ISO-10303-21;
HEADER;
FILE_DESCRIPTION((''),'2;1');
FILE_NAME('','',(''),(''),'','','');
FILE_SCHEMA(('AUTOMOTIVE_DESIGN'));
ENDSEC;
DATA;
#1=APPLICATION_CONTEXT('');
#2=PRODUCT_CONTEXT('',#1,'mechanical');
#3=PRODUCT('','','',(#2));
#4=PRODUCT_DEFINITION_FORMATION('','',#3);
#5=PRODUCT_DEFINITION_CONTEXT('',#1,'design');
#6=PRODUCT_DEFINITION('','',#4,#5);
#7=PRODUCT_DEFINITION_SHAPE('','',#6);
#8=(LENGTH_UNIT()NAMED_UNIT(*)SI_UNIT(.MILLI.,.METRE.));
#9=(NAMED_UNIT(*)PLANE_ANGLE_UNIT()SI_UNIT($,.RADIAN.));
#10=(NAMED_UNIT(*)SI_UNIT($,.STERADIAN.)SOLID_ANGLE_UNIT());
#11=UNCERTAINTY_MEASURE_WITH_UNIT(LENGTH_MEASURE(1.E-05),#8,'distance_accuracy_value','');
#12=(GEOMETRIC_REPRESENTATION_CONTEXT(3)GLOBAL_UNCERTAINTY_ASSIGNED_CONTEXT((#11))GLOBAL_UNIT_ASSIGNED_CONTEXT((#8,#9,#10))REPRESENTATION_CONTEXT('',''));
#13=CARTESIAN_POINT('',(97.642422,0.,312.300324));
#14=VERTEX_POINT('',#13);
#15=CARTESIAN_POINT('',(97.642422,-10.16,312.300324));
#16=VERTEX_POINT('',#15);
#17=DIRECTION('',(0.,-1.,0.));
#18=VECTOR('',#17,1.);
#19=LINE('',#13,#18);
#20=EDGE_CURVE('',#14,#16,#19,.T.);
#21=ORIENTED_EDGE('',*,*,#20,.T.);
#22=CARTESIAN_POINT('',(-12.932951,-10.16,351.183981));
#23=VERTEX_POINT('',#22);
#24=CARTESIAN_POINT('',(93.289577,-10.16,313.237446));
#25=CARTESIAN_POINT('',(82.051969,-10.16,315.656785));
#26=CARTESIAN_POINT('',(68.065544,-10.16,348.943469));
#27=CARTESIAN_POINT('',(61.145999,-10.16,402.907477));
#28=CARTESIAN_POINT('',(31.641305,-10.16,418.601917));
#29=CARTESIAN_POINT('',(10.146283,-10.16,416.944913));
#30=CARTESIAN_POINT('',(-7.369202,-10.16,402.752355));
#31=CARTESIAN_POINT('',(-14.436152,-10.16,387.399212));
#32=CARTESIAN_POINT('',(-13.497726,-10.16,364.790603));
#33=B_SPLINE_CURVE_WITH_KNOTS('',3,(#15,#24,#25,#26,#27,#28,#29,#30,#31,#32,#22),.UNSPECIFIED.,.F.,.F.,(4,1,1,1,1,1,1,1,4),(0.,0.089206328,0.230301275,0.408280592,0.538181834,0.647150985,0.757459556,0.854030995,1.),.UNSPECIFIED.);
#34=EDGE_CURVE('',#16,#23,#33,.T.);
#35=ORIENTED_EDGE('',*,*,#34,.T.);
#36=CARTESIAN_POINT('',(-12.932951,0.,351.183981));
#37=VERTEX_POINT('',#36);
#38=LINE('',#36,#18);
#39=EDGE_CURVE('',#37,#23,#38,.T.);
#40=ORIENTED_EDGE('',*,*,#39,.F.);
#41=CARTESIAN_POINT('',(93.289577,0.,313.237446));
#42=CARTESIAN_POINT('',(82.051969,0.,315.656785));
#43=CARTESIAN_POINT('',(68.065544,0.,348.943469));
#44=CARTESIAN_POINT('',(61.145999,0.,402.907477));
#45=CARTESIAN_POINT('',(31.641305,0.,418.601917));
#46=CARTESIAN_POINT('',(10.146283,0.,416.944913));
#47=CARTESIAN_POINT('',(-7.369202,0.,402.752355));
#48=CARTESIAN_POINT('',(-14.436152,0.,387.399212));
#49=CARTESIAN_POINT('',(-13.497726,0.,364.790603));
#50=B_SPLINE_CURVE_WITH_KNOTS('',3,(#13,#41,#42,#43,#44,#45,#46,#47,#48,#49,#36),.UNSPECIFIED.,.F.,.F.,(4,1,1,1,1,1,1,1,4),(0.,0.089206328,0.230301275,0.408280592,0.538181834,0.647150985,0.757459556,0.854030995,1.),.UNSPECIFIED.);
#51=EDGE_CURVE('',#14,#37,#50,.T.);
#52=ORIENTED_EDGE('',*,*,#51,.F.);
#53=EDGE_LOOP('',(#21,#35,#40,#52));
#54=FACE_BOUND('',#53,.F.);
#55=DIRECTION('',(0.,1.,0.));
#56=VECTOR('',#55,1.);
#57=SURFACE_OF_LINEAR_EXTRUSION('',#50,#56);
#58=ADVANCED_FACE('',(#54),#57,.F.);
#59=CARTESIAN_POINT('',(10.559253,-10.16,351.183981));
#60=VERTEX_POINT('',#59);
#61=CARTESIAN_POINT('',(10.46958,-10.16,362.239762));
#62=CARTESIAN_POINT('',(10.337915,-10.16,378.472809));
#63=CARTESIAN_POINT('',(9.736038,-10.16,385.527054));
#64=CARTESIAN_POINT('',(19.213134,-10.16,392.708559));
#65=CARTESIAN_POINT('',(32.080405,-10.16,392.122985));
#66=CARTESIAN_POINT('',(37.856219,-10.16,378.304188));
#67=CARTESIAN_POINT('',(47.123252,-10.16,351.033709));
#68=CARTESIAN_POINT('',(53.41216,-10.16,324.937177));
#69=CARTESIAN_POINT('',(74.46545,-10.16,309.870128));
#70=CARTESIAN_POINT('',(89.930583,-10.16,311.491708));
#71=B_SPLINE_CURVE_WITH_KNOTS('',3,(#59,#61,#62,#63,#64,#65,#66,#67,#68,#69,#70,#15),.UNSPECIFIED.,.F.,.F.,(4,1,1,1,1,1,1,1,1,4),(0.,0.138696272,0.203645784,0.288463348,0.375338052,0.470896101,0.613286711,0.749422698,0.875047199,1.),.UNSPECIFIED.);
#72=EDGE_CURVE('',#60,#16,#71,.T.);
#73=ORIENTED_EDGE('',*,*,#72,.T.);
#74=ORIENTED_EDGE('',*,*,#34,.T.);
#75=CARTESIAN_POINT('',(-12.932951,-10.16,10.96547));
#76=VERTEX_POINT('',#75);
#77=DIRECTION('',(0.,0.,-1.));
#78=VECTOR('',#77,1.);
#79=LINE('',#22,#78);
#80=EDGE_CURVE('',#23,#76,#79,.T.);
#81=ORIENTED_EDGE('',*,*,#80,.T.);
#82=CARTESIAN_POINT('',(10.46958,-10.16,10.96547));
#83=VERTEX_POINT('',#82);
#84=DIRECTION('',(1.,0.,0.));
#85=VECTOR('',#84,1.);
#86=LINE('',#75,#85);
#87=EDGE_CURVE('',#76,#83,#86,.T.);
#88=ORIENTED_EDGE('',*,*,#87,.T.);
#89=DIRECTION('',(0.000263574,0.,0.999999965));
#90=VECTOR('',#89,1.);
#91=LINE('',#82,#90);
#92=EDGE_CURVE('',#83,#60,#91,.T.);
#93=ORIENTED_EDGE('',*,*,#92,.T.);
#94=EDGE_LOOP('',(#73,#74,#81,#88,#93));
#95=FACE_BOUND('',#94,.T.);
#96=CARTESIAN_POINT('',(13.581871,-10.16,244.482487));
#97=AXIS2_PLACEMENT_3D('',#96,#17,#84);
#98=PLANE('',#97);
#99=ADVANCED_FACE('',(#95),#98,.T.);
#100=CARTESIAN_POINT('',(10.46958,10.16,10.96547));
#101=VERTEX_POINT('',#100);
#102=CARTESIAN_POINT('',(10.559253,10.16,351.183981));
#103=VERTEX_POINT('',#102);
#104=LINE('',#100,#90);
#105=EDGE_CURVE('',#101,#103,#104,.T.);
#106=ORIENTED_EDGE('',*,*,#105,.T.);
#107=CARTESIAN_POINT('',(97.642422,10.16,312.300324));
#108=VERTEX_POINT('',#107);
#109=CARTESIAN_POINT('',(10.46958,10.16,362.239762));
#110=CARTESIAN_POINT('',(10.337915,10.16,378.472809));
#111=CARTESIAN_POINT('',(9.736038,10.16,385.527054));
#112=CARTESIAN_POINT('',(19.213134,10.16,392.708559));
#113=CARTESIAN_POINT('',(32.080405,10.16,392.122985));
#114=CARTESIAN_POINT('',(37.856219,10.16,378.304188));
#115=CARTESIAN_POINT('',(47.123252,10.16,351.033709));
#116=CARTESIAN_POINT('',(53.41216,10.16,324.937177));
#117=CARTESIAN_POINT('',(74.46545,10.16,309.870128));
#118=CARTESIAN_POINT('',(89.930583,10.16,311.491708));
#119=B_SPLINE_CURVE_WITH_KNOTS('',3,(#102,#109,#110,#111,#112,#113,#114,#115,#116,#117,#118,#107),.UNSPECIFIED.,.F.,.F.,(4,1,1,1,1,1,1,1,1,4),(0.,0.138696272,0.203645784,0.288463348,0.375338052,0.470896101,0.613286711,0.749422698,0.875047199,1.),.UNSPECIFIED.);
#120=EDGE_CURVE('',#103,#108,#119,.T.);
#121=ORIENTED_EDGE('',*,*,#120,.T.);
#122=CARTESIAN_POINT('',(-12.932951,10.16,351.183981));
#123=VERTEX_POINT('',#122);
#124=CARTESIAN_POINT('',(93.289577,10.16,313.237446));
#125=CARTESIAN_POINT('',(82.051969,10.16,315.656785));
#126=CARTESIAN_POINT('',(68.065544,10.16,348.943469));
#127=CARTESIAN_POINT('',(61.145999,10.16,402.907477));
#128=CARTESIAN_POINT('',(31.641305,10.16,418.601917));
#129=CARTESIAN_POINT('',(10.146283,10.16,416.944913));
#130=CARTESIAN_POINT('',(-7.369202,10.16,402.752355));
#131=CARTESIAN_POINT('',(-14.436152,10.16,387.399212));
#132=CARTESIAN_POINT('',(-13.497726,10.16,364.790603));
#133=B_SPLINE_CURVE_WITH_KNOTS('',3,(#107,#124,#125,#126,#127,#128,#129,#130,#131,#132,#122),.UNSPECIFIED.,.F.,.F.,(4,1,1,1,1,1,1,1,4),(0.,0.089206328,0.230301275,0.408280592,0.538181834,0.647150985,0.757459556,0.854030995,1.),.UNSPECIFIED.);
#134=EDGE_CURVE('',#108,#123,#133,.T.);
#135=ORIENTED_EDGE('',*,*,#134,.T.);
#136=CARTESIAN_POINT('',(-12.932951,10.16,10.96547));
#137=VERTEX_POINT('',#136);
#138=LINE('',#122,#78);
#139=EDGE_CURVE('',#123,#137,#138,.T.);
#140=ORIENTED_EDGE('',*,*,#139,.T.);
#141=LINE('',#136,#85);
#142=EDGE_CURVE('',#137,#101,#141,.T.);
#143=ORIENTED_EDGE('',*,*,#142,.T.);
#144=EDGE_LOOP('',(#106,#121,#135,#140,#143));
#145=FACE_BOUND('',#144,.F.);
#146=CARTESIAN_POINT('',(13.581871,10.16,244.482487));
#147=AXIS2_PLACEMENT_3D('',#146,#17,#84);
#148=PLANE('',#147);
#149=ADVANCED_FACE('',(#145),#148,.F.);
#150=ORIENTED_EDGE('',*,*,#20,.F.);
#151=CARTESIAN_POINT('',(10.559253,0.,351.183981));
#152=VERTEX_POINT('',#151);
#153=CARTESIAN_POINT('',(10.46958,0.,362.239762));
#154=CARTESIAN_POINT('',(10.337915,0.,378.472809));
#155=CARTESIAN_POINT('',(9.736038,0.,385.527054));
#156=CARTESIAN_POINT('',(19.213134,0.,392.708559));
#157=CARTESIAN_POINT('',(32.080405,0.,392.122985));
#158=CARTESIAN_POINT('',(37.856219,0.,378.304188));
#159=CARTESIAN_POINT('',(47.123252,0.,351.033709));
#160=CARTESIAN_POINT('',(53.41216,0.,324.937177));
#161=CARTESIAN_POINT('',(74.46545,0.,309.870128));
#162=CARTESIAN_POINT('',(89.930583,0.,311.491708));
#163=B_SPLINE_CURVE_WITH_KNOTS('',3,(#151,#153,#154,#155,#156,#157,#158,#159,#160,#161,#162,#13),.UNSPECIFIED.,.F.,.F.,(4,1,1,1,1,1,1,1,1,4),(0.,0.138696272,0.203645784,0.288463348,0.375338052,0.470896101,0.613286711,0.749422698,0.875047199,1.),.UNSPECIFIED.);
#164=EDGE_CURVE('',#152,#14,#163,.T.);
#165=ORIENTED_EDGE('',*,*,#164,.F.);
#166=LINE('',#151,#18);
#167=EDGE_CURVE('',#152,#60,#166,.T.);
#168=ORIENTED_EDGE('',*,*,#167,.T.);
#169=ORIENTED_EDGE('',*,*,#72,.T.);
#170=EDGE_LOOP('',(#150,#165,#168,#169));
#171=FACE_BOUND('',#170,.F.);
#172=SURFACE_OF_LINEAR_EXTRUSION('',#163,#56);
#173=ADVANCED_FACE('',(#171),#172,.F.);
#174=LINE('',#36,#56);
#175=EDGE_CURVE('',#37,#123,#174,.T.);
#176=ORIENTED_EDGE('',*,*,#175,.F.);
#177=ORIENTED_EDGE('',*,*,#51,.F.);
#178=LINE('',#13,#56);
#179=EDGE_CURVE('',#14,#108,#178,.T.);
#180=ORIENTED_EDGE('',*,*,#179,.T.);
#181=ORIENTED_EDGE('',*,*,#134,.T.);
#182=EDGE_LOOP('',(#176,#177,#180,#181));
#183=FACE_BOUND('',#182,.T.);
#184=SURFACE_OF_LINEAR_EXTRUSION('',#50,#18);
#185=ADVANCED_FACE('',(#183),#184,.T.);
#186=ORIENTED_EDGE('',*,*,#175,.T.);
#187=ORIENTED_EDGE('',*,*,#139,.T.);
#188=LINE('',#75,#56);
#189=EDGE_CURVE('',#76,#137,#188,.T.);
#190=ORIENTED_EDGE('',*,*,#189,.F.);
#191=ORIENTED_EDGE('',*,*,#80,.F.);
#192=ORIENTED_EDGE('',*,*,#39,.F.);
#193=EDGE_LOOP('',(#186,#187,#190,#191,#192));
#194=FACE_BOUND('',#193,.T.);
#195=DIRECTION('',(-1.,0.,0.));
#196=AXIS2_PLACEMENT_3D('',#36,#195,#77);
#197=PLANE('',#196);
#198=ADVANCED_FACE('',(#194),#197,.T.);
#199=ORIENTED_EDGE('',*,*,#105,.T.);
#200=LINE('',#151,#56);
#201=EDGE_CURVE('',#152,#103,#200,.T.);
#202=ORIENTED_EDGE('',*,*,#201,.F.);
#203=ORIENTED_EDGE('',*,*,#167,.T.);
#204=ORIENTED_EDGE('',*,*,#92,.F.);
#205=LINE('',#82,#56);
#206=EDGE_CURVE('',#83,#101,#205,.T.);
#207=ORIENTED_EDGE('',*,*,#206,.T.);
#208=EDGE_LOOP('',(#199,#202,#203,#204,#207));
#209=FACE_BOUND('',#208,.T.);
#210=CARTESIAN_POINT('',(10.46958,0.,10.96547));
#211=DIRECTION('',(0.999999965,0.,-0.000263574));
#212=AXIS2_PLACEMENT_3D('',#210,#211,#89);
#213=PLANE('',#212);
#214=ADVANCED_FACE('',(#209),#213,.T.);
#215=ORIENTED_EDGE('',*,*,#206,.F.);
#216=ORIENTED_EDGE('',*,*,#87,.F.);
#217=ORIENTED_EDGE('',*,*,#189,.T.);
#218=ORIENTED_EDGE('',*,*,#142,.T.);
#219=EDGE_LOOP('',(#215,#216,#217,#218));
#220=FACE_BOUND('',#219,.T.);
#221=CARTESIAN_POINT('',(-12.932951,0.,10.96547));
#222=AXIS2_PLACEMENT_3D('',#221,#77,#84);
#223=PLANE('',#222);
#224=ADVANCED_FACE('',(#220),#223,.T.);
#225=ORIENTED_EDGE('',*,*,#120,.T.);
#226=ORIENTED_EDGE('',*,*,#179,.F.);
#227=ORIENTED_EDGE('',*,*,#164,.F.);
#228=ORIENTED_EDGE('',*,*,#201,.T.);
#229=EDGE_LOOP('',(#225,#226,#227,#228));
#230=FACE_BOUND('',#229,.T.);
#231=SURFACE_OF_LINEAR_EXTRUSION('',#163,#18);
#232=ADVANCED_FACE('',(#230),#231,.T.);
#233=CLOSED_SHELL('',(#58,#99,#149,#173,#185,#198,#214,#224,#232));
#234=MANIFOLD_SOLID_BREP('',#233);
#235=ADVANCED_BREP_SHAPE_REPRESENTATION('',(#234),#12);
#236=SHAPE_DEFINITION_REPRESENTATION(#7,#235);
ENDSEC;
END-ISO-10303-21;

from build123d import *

# Parameters (mm, degrees)
F1_DEPTH = 10.16
F2_DEPTH = 10.16


with BuildPart() as f1:
    # F0 (on Front) → F1 (new body)
    with BuildSketch(Plane.XZ):
        with BuildLine():
            add(Edge.make_bspline(
                [(10.5592533946, 351.1839807034), (10.4695804772, 362.2397616149), (10.3379149951, 378.4728090705), (9.7360376148, 385.5270541931), (19.2131343725, 392.7085587466), (32.0804052727, 392.1229848008), (37.8562186443, 378.3041881788), (47.1232515746, 351.0337093949), (53.4121597084, 324.9371769494), (74.4654499748, 309.8701281314), (89.9305831262, 311.4917079437), (97.6424217224, 312.30032444)],
                knots=[0, 0, 0, 0, 0.1386962725, 0.2036457841, 0.2884633477, 0.3753380517, 0.4708961009, 0.613286711, 0.7494226975, 0.8750471985, 1, 1, 1, 1], degree=3))
            add(Edge.make_bspline(
                [(97.6424217224, 312.30032444), (93.2895767735, 313.2374462492), (82.0519688116, 315.6567852397), (68.0655444832, 348.9434690674), (61.1459988736, 402.9074772139), (31.6413052957, 418.6019174353), (10.146283367, 416.9449132033), (-7.369202363, 402.7523547121), (-14.4361515415, 387.3992123411), (-13.4977264475, 364.7906029996), (-12.9329506308, 351.1839807034)],
                knots=[0, 0, 0, 0, 0.089206328, 0.2303012751, 0.4082805925, 0.5381818337, 0.6471509846, 0.757459556, 0.8540309949, 1, 1, 1, 1], degree=3))
            Line((-12.9329506308, 351.1839807034), (-12.9329506308, 10.9654702246))
            Line((-12.9329506308, 10.9654702246), (10.4695804772, 10.9654702246))
            Line((10.4695804772, 10.9654702246), (10.5592533946, 351.1839807034))
        make_face()
    extrude(amount=F1_DEPTH)

    # F2 (add): a face of the model
    f2_faces = [f1.faces().sort_by_distance(p)[0] for p in [
        (-8.7203777057, 0, 181.074725464),
    ]]
    extrude(f2_faces, amount=F2_DEPTH)


solid = f1.part
